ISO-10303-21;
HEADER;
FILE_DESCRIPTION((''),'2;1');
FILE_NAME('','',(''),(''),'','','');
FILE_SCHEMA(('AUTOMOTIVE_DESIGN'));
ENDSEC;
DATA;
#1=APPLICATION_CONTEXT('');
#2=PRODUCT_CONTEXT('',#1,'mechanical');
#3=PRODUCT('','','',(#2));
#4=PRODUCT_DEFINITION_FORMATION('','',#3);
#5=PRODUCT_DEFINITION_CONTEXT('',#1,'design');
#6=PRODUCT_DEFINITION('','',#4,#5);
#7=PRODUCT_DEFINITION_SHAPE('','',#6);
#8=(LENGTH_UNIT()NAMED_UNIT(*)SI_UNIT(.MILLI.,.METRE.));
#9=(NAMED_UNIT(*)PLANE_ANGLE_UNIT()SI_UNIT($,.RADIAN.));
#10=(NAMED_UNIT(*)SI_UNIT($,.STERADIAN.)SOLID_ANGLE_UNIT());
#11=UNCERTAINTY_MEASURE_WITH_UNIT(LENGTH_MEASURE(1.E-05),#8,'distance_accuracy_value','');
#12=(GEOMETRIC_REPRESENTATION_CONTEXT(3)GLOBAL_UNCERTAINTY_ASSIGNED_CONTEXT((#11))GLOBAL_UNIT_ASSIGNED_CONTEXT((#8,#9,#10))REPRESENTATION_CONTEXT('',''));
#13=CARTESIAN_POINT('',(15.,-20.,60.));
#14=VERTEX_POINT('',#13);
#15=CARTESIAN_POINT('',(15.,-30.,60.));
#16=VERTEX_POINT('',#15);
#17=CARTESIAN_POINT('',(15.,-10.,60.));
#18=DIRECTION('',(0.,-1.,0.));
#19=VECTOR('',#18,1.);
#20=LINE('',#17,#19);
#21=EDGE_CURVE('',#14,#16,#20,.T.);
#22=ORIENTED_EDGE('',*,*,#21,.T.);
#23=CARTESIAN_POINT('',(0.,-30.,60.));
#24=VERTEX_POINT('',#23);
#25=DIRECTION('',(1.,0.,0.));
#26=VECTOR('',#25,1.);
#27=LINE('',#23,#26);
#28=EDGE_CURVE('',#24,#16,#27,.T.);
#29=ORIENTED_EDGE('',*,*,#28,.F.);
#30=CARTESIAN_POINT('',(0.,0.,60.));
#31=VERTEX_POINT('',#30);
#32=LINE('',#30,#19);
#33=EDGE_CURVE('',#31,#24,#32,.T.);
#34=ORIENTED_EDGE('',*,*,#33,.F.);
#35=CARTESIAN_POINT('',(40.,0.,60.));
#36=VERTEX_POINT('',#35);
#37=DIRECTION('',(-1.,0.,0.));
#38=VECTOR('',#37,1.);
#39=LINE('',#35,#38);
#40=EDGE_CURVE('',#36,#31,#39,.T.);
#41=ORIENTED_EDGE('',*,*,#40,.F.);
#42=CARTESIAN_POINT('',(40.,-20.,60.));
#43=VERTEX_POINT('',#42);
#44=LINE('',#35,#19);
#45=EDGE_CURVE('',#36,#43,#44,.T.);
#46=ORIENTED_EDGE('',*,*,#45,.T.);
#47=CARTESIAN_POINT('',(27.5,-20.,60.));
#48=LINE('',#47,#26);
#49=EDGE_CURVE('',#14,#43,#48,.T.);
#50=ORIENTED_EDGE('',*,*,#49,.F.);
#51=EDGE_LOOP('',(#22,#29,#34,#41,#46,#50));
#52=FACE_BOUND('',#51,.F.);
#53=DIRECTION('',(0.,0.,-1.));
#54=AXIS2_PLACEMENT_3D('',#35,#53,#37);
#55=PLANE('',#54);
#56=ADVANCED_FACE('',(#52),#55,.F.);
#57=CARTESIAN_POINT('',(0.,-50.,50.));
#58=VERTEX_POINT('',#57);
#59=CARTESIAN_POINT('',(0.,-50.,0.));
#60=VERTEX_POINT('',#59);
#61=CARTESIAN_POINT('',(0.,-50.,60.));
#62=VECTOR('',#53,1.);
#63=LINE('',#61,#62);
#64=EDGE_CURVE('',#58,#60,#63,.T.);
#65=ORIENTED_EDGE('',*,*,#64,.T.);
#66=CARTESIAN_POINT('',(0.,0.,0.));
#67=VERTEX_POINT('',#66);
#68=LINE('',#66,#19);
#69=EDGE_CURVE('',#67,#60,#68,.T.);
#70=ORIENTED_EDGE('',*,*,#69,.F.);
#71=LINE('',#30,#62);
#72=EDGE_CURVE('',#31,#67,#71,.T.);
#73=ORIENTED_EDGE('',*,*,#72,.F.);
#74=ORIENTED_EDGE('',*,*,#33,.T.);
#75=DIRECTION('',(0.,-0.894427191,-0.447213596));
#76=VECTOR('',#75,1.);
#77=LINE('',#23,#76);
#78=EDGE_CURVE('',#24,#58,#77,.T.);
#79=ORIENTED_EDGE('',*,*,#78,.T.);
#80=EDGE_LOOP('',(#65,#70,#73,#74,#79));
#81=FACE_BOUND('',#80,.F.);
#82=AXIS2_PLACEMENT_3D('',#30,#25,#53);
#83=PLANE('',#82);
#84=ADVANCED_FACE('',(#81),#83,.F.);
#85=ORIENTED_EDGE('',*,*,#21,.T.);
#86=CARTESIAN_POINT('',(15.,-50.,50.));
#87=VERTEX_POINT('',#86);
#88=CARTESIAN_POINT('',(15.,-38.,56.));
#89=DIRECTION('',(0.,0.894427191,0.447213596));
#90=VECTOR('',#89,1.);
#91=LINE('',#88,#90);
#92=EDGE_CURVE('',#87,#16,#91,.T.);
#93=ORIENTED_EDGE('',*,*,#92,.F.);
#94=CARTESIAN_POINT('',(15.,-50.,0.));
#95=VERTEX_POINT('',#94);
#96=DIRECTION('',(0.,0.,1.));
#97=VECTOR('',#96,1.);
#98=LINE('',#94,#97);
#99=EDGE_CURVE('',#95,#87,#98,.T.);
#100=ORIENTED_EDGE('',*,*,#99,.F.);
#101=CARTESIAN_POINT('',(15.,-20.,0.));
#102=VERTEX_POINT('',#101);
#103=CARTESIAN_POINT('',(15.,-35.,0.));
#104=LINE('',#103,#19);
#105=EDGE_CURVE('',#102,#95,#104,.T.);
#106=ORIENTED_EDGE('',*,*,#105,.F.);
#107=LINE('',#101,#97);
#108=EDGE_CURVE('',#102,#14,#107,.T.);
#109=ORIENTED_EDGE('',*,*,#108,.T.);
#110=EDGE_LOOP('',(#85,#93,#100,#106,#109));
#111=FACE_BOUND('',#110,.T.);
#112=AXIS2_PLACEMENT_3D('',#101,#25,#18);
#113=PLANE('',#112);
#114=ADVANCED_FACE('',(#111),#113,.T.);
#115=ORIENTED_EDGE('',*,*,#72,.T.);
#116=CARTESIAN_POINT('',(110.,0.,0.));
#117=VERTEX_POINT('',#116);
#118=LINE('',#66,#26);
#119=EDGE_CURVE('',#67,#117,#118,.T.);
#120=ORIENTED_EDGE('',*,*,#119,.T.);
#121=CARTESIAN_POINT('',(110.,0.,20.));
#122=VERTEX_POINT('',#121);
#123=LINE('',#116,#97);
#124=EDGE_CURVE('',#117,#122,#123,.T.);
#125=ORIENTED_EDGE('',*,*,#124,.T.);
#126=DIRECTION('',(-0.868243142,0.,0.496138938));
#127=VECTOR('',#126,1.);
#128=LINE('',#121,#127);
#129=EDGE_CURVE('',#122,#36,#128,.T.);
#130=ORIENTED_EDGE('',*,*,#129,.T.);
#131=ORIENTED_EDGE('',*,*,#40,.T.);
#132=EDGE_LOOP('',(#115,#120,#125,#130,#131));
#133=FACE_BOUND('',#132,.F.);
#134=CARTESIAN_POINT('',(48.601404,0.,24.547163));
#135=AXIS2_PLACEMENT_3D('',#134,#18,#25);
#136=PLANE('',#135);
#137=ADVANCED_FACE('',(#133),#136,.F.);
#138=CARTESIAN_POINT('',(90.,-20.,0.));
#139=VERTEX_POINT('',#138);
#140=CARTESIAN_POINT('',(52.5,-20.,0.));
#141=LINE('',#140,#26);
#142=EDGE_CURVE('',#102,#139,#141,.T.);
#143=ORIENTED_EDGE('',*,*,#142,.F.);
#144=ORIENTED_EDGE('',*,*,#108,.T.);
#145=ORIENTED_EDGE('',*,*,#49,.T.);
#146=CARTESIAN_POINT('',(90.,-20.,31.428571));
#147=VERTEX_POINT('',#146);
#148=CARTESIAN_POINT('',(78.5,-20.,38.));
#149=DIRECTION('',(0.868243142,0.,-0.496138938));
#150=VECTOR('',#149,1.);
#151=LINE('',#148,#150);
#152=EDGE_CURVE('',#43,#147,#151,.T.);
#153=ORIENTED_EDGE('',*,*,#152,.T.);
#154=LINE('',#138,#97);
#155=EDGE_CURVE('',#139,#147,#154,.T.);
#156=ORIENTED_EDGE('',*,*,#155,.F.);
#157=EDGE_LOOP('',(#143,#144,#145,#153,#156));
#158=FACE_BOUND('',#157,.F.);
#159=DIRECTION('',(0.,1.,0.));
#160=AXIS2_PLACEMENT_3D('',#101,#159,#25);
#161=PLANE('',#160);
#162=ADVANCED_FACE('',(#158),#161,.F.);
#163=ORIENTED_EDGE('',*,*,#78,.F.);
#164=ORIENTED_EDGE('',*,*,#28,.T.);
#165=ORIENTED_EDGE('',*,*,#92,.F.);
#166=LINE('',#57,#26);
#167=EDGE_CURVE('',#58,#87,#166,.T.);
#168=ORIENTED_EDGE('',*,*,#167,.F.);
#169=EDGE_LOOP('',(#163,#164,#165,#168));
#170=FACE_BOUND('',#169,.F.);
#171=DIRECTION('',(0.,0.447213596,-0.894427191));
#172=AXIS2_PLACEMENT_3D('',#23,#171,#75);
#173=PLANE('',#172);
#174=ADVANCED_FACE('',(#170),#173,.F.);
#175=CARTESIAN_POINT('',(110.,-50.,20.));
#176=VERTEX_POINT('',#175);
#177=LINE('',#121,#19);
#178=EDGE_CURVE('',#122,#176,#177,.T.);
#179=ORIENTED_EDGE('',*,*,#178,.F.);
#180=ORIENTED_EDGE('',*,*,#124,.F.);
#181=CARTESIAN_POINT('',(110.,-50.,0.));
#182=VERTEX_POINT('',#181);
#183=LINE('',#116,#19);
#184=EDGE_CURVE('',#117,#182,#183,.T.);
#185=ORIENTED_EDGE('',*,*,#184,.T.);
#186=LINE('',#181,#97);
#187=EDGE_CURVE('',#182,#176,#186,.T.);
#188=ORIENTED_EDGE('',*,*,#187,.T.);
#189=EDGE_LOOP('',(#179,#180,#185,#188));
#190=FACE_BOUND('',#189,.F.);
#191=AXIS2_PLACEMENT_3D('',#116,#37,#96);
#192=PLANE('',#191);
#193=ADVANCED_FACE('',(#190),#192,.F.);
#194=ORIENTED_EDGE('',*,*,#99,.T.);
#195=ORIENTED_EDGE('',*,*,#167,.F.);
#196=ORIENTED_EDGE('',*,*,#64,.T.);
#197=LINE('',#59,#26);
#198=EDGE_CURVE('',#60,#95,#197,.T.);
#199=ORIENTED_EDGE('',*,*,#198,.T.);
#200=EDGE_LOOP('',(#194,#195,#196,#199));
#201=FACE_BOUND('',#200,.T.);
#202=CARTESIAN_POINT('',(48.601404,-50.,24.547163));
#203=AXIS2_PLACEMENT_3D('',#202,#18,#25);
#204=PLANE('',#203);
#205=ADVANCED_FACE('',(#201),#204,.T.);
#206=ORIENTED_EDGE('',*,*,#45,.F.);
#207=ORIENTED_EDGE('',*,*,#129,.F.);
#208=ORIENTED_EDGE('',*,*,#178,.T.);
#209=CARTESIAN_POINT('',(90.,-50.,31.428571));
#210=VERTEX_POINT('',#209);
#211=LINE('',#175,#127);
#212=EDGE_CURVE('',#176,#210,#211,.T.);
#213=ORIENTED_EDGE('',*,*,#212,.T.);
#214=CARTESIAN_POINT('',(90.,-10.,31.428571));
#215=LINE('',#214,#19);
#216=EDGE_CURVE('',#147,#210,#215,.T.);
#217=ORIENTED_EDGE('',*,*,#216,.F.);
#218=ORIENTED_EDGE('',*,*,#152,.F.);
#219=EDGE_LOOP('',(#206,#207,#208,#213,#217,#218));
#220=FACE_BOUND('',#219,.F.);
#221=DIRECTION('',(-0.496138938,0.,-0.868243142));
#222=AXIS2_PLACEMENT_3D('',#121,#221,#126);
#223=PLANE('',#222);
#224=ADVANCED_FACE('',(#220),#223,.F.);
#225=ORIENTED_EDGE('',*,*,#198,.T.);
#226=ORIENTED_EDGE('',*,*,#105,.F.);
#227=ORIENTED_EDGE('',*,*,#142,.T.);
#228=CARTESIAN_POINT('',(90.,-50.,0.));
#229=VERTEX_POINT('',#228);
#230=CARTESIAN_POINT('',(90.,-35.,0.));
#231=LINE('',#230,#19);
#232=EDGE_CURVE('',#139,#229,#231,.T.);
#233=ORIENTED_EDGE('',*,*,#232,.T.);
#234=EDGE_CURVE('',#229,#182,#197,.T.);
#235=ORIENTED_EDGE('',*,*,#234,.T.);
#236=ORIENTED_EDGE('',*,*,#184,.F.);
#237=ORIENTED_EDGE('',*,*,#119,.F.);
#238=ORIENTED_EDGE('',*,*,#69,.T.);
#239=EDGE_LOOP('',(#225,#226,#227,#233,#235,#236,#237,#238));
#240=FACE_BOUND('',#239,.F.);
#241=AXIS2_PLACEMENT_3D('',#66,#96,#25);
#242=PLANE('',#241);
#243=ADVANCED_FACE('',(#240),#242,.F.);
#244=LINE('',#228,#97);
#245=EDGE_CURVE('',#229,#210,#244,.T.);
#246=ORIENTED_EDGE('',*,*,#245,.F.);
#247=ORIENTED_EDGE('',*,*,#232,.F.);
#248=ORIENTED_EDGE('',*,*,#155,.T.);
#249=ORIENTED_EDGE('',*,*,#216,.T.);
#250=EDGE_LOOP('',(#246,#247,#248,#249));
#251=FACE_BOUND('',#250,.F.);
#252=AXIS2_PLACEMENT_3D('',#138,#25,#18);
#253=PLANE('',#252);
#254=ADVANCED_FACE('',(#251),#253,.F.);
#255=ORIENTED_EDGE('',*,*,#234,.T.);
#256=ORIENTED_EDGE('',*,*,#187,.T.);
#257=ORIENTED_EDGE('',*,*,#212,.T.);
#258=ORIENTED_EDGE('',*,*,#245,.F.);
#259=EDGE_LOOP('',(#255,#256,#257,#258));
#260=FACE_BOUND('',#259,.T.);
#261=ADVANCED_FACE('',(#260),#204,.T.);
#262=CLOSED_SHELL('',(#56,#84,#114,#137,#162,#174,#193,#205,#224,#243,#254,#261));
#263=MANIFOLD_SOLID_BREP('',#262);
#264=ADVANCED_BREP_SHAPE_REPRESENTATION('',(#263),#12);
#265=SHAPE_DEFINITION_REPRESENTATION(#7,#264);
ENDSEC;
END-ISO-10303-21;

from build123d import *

# Parameters (mm, degrees)
F2_DEPTH = 50
F3_W     = 75
F3_H     = 30
F4_DEPTH = 98
F6_DEPTH = 105.3


with BuildPart() as f2:
    # F1 (on Front) → F2 (new body)
    with BuildSketch(Plane.XZ):
        Polygon((0, 60), (0, 0), (110, 0), (110, 20), (40, 60), align=None)
    extrude(amount=F2_DEPTH)

    # F3 (on face) → F4 (cut)
    with BuildSketch(Plane(origin=(0, 0, 0), x_dir=(1, 0, 0), z_dir=(0, 0, -1))):
        with Locations((52.5, 35)):
            Rectangle(F3_W, F3_H)
    extrude(amount=-F4_DEPTH, mode=Mode.SUBTRACT)

    # F5 (on face) → F6 (cut)
    with BuildSketch(Plane(origin=(0, 0, 0), x_dir=(0, -1, 0), z_dir=(-1, 0, 0))):
        Polygon((50, 60), (30, 60), (50, 50), align=None)
    extrude(amount=-F6_DEPTH, mode=Mode.SUBTRACT)


solid = f2.part
